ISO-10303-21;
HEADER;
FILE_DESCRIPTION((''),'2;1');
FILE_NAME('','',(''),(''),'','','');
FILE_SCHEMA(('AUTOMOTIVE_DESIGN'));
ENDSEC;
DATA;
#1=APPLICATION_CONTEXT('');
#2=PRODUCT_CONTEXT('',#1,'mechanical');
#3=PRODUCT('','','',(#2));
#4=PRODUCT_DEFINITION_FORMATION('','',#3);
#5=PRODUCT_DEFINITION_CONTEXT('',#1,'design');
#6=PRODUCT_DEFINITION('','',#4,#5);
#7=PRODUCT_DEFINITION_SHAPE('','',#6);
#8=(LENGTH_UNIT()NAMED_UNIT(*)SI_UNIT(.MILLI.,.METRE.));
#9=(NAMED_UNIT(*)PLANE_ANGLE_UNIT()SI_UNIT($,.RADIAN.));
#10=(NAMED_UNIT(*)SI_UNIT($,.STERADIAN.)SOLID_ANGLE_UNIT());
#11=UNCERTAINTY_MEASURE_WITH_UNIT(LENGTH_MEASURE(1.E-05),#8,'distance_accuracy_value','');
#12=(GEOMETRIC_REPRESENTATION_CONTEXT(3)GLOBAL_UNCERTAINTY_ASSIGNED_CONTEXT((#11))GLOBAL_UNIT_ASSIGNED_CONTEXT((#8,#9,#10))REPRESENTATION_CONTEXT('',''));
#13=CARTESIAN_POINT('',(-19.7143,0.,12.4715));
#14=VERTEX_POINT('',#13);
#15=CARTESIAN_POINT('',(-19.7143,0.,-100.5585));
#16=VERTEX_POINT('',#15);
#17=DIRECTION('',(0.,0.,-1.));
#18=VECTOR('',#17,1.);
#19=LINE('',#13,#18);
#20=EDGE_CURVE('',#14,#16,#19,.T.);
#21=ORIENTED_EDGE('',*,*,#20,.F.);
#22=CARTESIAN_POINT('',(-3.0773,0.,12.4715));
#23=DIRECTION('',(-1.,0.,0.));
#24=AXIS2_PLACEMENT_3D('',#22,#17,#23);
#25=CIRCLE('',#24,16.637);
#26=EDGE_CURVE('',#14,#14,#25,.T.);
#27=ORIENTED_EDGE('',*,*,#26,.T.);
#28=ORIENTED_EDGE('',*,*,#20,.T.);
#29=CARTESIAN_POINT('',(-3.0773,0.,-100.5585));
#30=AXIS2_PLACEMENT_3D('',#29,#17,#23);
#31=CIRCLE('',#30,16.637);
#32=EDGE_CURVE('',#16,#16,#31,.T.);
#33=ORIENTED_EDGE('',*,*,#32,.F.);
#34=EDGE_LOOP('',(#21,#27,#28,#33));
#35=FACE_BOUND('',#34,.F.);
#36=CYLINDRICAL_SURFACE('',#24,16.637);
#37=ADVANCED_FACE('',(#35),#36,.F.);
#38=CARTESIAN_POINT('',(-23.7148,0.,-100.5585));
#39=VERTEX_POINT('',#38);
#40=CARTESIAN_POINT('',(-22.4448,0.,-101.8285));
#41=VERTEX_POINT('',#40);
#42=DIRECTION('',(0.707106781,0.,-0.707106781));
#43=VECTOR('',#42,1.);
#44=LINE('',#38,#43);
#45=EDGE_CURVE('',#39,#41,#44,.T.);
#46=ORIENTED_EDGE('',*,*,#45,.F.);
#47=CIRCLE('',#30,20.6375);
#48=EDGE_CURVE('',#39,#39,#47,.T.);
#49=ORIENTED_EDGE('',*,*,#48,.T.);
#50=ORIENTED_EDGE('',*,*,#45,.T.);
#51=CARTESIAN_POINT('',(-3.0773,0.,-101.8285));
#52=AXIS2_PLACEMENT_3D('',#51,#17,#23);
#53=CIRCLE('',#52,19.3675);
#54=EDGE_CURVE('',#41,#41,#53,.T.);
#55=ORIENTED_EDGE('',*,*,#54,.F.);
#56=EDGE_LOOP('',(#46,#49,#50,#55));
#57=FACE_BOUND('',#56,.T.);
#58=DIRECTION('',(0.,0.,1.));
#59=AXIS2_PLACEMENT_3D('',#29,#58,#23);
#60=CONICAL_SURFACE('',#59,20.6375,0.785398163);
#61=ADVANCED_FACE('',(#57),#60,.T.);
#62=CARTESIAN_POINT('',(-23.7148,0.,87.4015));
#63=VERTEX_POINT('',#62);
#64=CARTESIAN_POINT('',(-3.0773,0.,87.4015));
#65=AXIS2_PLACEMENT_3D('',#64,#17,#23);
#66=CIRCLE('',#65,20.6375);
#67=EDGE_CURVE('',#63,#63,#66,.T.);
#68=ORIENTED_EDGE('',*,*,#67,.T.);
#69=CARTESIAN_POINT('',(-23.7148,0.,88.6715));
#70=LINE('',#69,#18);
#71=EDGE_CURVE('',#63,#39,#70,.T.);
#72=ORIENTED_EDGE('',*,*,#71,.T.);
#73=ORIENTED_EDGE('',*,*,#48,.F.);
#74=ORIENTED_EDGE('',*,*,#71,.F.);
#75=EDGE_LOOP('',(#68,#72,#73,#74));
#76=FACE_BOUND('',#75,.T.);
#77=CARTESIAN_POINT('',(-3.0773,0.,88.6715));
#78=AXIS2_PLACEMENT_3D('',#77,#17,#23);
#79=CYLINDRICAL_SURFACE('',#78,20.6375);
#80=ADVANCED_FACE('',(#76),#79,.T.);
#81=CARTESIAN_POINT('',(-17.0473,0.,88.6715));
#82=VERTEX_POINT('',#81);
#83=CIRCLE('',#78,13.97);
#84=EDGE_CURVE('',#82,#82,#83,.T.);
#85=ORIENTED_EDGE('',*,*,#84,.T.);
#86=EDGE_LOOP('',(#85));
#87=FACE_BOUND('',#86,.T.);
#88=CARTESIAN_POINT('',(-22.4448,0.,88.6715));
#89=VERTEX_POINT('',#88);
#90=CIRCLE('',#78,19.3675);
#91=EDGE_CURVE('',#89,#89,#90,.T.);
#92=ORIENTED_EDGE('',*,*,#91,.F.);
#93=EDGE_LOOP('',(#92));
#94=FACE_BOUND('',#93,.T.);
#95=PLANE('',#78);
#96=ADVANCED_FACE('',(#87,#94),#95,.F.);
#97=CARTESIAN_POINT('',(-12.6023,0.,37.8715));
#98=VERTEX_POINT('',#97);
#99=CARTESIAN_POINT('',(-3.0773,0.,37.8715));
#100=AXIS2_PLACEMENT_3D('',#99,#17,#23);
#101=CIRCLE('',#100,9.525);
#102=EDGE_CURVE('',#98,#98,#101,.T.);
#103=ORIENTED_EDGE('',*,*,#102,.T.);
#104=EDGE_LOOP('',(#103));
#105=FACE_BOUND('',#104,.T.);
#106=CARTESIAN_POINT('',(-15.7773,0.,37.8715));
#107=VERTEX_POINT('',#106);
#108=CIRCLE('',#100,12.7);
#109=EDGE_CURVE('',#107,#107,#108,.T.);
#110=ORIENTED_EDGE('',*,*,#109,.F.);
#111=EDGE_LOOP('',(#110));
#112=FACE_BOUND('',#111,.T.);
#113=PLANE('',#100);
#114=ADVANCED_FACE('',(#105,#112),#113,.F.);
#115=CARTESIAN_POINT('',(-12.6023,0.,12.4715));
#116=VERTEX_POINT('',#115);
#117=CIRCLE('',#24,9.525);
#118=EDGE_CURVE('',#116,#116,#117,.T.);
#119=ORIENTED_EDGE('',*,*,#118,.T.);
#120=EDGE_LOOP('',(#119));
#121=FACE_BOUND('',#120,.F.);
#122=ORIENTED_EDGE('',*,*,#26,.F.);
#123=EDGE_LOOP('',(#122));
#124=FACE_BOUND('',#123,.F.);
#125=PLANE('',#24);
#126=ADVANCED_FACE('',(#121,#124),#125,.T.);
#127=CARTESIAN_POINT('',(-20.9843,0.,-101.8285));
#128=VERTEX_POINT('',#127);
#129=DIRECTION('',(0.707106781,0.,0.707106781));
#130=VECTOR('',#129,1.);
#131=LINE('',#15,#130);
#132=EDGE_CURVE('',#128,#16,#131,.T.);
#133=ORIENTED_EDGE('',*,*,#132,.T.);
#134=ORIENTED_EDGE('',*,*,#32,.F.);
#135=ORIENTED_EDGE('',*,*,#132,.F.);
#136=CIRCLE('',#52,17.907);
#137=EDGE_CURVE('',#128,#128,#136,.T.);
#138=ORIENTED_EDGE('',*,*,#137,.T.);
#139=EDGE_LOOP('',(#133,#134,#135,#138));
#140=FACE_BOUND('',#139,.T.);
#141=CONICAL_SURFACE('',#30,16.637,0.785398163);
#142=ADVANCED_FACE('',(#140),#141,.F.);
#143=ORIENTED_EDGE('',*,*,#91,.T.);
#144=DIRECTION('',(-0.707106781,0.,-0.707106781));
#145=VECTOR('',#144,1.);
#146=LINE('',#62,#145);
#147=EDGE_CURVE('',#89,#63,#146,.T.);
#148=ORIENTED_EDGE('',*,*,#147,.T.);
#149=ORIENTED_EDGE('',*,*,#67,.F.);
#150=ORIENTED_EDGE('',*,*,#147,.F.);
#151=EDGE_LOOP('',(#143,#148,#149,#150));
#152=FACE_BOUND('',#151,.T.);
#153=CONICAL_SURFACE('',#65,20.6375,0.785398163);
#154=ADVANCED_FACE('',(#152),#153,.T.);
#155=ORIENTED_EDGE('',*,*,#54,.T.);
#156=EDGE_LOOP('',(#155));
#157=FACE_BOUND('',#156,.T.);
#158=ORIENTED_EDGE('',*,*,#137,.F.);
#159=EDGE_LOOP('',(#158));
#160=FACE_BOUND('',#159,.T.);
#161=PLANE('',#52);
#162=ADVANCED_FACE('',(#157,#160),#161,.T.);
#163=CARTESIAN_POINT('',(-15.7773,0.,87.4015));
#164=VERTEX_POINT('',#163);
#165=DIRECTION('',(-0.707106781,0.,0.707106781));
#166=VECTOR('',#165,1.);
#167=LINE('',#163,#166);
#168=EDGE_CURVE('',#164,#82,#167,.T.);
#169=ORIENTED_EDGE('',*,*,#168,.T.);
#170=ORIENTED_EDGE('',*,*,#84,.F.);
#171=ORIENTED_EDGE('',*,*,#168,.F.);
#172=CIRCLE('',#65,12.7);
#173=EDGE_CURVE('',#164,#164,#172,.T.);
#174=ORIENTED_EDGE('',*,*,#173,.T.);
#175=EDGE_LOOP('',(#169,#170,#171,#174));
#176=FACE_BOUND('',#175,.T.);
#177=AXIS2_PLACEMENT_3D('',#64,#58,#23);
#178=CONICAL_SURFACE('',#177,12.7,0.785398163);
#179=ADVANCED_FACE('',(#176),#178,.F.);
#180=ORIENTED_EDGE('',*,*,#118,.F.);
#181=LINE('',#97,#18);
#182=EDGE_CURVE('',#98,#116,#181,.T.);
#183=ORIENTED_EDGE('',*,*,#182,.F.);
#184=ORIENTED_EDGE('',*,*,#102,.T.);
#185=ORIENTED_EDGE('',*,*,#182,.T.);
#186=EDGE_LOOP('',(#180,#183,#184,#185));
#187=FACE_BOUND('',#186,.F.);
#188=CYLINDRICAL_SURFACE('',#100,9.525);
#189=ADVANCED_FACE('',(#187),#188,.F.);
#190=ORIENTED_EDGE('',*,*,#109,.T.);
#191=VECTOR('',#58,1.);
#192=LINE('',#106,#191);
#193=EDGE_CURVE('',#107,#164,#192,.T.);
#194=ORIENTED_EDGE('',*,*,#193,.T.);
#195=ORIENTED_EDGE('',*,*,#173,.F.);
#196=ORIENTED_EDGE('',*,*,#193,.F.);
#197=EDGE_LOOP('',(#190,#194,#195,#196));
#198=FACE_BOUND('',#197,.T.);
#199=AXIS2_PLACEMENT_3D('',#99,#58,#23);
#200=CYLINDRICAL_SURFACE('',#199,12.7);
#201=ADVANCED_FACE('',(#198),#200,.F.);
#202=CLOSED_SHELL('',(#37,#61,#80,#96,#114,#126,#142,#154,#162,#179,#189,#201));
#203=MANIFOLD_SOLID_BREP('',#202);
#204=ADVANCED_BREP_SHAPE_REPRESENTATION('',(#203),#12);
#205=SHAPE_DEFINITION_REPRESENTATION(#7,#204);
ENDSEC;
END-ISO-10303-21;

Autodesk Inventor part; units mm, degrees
ref_plane "YZ Plane" through (0, 0, 0) normal (1, 0, 0) x (0, 1, 0)
ref_plane "XZ Plane" through (0, 0, 0) normal (0, 1, 0) x (-1, 0, 0)
ref_plane "XY Plane" through (0, 0, 0) normal (0, 0, 1) x (1, 0, 0)
sketch "Sketch1" plane through (0, 0, 0) normal (0, 1, 0) x (-1, 0, 0)
  line L0 (12.6023, 12.4715) -> (19.7143, 12.4715)
  line L1 (19.7143, 12.4715) -> (19.7143, -101.8285)
  line L2 (12.6023, 37.8715) -> (15.7773, 37.8715)
  line L3 (15.7773, 37.8715) -> (15.7773, 88.6715)
  line L4 (12.6023, 37.8715) -> (12.6023, 12.4715)
  line L5 (3.0773, 143.0573) -> (3.0773, -154.5984) construction
  line L6 (15.7773, 88.6715) -> (23.7148, 88.6715)
  line L7 (23.7148, 88.6715) -> (23.7148, -101.8285)
  line L8 (23.7148, -101.8285) -> (19.7143, -101.8285)
  point P0 (0, 0)
  dimension "d1" = 114.3
  dimension "d3" = 50.8
  dimension "d5" = 3.175
  dimension "d6" = 20.6375
  dimension "d10" = 12.7
  dimension "d14" = 16.637
revolve "Revolution1" add sketch "Sketch1" angle 360 about axis through (-3.0773, 0, 143.0573) along (0, 0, -1)
chamfer "Chamfer1" distance 1.27 angle 45 4 edges at (17.5602, 0, -101.8285) (17.5602, 0, 88.6715) (9.6227, 0, 88.6715) (13.5597, 0, -101.8285)
thread "Thread1" size "1 5/16-18 UNEF" class "2B" standard "ANSI Unified Screw Threads" length 25.4
properties part number "MainHilt" material "Aluminum 6061"
